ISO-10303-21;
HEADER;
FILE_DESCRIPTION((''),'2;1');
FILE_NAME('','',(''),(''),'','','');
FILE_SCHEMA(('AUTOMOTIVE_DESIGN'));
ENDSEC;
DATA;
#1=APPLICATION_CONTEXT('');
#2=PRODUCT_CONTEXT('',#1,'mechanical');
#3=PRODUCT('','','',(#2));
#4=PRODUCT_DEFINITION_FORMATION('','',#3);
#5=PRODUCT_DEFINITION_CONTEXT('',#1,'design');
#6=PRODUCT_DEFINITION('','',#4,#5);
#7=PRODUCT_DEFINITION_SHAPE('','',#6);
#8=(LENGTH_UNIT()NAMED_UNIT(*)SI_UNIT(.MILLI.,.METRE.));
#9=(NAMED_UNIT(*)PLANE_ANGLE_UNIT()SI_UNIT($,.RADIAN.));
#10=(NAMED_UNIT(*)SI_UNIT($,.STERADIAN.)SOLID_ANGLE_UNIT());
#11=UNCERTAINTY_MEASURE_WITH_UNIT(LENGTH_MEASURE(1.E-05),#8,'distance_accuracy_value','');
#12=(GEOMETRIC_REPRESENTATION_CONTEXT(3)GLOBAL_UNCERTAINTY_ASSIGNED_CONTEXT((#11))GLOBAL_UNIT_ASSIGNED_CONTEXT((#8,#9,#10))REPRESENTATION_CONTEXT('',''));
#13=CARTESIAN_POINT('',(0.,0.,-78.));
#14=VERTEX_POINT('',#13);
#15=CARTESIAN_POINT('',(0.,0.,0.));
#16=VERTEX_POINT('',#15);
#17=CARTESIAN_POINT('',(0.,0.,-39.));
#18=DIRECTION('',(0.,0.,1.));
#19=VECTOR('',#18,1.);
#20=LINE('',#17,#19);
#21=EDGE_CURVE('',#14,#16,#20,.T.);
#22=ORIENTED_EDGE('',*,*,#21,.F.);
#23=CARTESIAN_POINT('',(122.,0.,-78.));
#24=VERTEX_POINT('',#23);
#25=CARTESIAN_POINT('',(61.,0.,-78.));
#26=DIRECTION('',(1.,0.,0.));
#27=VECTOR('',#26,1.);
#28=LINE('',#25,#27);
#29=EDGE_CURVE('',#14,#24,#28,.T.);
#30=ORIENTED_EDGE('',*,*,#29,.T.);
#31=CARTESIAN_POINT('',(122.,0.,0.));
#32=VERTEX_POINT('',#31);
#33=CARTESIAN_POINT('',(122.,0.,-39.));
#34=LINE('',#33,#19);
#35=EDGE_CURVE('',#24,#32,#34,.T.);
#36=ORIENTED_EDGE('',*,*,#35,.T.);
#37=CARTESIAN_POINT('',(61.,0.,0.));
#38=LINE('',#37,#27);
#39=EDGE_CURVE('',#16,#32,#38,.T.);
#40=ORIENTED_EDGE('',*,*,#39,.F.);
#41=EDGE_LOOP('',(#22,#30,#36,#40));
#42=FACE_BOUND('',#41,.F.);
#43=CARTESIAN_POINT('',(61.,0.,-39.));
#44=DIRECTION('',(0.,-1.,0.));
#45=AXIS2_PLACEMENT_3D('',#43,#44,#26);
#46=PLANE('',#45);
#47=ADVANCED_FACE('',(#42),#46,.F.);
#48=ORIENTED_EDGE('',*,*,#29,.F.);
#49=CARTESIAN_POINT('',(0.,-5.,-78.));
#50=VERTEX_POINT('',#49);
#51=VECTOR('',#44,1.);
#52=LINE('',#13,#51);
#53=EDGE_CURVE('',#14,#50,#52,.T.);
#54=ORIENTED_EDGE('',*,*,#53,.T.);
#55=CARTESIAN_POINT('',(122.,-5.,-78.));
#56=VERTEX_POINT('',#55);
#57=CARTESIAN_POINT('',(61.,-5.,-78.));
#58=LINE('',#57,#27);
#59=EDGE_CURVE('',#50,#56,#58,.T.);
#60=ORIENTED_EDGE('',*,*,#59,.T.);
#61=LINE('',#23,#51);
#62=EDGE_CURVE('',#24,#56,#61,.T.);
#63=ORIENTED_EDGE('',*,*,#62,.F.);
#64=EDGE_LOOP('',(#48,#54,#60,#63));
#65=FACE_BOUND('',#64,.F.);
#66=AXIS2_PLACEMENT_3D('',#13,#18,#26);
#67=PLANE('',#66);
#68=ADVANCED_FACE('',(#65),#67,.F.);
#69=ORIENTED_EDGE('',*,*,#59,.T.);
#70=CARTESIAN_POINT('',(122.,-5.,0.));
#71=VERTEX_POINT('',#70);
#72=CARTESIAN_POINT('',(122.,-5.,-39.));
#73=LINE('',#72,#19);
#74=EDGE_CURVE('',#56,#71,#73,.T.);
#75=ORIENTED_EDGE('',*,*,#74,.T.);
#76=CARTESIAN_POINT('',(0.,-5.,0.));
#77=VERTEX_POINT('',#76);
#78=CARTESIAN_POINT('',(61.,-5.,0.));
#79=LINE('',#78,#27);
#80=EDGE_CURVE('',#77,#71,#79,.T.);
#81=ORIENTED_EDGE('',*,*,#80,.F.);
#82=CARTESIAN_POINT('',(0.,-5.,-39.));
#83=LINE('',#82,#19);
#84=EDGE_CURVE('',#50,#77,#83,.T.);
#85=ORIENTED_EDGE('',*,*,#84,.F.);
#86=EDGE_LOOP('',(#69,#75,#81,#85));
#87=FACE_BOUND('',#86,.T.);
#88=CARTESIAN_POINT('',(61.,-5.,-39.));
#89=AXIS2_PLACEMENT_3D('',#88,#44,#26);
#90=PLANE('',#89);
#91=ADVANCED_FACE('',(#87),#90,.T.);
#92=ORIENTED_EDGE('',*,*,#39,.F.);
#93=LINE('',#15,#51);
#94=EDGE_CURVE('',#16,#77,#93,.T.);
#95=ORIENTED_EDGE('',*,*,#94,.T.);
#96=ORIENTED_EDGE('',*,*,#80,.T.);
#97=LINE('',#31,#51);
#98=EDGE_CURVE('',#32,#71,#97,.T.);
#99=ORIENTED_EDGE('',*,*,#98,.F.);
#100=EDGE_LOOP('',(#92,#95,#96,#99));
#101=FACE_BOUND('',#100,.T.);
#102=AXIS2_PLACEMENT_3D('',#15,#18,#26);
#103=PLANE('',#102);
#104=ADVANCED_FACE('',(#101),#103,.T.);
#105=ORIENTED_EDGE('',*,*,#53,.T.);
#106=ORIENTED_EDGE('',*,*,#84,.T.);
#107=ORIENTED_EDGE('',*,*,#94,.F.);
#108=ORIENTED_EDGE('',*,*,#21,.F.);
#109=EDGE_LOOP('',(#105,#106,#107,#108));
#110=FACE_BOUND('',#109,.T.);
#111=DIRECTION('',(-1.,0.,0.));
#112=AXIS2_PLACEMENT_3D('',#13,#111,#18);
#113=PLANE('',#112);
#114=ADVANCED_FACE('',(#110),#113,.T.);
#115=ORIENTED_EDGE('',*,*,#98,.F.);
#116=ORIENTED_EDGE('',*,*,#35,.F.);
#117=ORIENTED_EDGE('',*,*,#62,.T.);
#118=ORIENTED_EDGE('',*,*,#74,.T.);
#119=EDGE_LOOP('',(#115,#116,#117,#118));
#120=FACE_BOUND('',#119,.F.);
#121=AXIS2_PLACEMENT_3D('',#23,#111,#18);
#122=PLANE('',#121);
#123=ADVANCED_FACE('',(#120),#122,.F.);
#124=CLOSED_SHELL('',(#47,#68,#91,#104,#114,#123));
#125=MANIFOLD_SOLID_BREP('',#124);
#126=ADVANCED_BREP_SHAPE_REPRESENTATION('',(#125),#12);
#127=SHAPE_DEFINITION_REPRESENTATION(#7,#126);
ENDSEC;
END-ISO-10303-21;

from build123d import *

# Parameters (mm, degrees)
F0_W     = 122
F0_H     = 78
F1_DEPTH = 5


with BuildPart() as f1:
    # F0 (on Front) → F1 (new body)
    with BuildSketch(Plane.XZ):
        with Locations((61, -39)):
            Rectangle(F0_W, F0_H)
    extrude(amount=F1_DEPTH)


with BuildPart() as f1_1:
    # F2: moved
    add(f1.part)


solid = f1_1.part
